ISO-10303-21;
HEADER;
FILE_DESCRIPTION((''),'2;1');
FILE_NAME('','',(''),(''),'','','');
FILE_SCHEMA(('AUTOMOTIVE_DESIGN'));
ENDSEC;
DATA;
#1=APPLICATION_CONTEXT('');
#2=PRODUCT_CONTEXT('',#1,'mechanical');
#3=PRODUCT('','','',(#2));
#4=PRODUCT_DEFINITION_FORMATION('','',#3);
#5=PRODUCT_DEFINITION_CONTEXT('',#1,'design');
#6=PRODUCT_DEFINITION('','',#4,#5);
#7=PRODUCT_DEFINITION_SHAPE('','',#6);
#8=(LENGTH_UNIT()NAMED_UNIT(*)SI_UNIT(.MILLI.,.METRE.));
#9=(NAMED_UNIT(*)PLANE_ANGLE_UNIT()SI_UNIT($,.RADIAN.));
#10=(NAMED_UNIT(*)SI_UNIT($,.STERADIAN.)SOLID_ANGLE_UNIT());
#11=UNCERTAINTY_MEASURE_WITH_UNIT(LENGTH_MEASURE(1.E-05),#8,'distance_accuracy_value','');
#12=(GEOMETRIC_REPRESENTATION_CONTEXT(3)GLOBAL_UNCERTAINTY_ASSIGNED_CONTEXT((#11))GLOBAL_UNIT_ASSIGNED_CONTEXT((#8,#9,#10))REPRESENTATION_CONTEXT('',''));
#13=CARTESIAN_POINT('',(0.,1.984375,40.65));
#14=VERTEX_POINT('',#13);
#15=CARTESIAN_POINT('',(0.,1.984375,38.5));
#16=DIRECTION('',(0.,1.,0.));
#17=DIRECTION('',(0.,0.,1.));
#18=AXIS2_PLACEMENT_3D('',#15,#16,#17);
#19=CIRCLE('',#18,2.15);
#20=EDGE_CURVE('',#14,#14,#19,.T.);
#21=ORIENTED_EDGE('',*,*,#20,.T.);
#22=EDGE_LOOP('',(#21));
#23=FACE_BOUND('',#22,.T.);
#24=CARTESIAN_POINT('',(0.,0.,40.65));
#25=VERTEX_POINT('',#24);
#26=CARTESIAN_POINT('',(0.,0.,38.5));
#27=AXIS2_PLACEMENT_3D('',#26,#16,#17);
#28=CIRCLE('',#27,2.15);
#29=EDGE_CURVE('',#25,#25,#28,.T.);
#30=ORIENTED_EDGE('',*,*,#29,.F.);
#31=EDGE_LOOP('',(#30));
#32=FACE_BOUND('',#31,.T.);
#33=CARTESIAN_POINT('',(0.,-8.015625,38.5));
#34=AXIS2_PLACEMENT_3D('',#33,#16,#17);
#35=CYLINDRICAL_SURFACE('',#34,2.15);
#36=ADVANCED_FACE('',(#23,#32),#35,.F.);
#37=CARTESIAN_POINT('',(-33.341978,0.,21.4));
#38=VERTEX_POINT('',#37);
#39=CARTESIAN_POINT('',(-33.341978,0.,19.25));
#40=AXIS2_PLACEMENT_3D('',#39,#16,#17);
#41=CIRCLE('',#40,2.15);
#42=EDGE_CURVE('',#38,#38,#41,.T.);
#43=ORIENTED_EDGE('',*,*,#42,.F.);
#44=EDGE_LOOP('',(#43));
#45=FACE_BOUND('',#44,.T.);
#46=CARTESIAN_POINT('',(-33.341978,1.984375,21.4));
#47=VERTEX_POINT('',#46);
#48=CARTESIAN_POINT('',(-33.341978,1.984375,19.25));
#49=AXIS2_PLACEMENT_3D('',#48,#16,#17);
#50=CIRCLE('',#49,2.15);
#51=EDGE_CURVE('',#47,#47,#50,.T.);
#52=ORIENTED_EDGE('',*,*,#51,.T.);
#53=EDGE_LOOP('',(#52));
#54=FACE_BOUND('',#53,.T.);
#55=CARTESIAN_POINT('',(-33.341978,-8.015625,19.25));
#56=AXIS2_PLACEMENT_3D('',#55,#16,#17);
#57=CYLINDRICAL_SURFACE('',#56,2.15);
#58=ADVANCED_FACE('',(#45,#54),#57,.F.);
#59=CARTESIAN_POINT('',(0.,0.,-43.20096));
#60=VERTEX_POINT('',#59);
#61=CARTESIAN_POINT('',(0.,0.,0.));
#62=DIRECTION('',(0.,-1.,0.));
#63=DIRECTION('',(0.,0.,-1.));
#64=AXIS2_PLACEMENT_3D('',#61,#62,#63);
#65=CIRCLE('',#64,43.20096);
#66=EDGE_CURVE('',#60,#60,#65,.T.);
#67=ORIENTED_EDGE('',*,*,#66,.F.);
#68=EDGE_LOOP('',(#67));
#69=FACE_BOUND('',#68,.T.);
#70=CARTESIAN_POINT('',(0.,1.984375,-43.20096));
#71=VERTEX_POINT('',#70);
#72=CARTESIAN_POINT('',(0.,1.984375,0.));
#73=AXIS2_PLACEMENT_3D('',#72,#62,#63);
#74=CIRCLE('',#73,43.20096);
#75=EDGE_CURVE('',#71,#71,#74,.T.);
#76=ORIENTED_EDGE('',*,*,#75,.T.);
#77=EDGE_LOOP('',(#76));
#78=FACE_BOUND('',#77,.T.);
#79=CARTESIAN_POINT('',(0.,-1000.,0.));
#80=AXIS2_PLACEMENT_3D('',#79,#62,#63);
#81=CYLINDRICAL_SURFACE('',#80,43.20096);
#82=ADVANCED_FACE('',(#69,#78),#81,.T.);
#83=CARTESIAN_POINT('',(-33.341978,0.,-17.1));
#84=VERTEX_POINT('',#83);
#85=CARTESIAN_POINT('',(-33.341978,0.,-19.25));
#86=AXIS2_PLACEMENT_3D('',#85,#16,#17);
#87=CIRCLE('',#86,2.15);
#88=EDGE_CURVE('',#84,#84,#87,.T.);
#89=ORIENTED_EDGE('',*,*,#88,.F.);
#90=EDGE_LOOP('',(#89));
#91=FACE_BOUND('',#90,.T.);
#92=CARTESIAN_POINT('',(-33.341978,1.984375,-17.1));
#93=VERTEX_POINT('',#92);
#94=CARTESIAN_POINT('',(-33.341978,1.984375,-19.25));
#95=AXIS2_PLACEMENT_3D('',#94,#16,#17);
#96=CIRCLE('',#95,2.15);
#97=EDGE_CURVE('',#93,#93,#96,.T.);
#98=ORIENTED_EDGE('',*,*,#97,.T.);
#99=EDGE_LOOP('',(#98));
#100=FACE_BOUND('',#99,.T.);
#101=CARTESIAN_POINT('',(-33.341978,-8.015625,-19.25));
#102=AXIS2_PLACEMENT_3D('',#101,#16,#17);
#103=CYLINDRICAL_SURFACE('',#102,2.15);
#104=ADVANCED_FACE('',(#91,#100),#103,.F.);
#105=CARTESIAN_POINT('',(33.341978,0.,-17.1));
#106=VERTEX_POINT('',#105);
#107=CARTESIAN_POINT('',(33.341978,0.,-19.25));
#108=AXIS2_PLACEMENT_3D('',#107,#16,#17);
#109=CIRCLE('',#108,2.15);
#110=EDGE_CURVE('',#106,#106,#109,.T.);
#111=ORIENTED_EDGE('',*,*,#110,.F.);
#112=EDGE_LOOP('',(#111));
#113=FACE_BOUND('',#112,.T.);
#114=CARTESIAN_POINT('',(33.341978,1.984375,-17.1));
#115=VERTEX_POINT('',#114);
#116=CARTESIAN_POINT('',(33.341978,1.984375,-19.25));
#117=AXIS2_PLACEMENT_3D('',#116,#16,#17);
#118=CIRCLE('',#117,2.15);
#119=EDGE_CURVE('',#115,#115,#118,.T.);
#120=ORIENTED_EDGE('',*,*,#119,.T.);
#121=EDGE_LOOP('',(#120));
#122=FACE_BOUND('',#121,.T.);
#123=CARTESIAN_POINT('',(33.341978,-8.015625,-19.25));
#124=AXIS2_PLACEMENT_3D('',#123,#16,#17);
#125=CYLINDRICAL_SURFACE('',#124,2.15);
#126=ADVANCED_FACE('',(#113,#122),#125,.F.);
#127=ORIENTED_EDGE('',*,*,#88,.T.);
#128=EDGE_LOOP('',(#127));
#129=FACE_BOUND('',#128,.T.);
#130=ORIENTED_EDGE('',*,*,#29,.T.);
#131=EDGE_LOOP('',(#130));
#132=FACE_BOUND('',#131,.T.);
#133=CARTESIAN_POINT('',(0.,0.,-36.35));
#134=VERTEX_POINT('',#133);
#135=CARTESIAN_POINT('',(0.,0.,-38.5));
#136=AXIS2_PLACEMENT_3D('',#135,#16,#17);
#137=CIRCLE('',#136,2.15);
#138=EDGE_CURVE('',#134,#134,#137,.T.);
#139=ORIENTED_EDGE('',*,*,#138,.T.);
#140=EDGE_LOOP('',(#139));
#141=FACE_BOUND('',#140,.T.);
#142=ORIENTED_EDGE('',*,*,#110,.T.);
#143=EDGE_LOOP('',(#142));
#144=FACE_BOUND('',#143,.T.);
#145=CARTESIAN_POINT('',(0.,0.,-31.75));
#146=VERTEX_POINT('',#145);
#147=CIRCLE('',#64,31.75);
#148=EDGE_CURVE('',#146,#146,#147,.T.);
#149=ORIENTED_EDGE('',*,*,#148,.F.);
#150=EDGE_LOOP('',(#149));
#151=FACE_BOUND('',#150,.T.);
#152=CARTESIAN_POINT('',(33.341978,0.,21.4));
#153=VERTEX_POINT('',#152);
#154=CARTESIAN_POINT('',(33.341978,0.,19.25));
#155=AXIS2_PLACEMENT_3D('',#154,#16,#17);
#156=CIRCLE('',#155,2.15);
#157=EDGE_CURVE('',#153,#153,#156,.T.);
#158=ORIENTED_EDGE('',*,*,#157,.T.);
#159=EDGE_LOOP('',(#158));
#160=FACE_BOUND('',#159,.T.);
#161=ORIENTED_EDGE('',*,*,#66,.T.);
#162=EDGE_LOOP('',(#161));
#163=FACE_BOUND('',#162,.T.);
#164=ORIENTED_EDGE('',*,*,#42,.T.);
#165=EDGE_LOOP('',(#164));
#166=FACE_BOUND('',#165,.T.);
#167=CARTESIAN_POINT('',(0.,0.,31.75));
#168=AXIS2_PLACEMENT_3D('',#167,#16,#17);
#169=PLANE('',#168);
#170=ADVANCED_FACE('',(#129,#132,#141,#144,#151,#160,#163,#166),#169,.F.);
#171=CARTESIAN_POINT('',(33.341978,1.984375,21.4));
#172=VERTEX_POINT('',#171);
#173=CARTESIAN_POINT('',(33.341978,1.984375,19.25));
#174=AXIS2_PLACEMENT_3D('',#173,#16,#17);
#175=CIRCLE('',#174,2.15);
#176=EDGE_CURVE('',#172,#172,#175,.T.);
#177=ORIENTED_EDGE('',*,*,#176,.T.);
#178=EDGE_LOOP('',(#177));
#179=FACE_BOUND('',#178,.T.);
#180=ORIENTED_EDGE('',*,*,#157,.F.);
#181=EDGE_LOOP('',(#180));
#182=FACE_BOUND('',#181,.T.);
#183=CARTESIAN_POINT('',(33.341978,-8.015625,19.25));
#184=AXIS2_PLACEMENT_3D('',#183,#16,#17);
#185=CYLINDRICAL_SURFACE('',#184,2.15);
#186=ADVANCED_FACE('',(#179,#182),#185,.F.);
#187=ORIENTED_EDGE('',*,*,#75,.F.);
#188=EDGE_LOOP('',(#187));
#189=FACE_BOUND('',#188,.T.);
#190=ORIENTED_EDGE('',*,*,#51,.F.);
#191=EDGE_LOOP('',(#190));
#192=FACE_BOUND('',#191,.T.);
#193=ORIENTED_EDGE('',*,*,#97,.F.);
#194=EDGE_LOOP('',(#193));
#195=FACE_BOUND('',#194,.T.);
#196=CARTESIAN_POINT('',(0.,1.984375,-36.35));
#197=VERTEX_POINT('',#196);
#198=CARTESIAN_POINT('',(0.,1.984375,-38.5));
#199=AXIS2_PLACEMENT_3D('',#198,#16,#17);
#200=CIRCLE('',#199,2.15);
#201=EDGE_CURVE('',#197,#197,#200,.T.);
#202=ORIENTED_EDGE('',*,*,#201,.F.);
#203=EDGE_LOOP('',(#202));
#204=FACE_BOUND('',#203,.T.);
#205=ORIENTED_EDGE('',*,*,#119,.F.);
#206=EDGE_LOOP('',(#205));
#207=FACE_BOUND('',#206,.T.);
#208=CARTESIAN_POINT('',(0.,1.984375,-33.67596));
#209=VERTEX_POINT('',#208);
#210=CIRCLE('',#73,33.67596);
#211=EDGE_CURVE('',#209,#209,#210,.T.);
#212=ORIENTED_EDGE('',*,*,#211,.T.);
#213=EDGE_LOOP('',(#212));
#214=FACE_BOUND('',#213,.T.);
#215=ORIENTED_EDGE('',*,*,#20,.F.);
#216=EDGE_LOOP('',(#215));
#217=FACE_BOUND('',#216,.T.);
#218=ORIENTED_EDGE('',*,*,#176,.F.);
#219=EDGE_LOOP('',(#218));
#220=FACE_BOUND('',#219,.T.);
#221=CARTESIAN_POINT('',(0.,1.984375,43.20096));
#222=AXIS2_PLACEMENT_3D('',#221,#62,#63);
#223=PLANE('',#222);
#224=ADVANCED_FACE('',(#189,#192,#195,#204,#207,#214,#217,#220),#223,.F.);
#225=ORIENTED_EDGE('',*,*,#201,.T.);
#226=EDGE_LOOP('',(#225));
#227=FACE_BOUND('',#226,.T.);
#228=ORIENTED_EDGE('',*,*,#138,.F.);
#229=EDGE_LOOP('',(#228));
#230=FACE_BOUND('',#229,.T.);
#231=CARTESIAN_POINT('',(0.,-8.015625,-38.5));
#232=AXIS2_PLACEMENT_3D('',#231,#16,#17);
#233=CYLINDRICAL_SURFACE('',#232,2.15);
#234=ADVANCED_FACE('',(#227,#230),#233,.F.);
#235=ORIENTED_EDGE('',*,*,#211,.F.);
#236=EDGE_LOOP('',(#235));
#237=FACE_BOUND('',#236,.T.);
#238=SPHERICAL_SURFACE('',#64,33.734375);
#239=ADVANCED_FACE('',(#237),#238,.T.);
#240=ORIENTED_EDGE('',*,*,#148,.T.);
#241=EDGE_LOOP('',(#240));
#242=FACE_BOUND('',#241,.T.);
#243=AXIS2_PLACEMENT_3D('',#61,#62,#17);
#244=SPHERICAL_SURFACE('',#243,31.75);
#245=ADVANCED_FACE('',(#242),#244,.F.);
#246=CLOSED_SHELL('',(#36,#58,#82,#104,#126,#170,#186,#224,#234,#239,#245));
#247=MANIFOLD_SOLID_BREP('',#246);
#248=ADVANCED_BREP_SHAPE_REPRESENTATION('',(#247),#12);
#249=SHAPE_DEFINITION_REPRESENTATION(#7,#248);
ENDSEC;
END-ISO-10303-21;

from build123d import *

# Parameters (mm, degrees)
SKETCH2_R          = 2.15
CUT_EXTRUDE1_DEPTH = 10


with BuildPart() as part:
    # Sketch1 → Revolve1 (revolve)
    with BuildSketch(Plane(origin=(0, 0, 0), x_dir=(0, 0, -1), z_dir=(1, 0, 0)), mode=Mode.PRIVATE) as revolve1_sk:
        with BuildLine():
            Line((-31.75, 0), (-43.200960454, 0))
            Line((-43.200960454, 0), (-43.200960454, 1.984375))
            Line((-43.200960454, 1.984375), (-33.675960454, 1.984375))
            ThreePointArc((-33.675960454, 1.984375), (-23.141590333, 24.545363178), (0, 33.734375))
            Line((0, 33.734375), (0, 31.75))
            ThreePointArc((0, 31.75), (-22.450640303, 22.450640303), (-31.75, 0))
        make_face()
    revolve(revolve1_sk.sketch.rotate(Axis((0, -1000, 0), (0, 1, 0)), 180), axis=Axis((0, -1000, 0), (0, 1, 0)))

    # Sketch2 → Cut-Extrude1 (cut)
    with BuildSketch(Plane(origin=(0, 1.984375, 0), x_dir=(1, 0, 0), z_dir=(0, 1, 0))):
        with Locations(Location((0, -38.5, 0), (0, 0, 270))):
            Circle(SKETCH2_R)
        with Locations(Location((-33.341978046, -19.25, 0), (0, 0, 270))):
            Circle(SKETCH2_R)
        with Locations(Location((-33.341978046, 19.25, 0), (0, 0, 270))):
            Circle(SKETCH2_R)
        with Locations(Location((0, 38.5, 0), (0, 0, 270))):
            Circle(SKETCH2_R)
        with Locations(Location((33.341978046, 19.25, 0), (0, 0, 270))):
            Circle(SKETCH2_R)
        with Locations(Location((33.341978046, -19.25, 0), (0, 0, 270))):
            Circle(SKETCH2_R)
    extrude(amount=-CUT_EXTRUDE1_DEPTH, mode=Mode.SUBTRACT)


solid = part.part
